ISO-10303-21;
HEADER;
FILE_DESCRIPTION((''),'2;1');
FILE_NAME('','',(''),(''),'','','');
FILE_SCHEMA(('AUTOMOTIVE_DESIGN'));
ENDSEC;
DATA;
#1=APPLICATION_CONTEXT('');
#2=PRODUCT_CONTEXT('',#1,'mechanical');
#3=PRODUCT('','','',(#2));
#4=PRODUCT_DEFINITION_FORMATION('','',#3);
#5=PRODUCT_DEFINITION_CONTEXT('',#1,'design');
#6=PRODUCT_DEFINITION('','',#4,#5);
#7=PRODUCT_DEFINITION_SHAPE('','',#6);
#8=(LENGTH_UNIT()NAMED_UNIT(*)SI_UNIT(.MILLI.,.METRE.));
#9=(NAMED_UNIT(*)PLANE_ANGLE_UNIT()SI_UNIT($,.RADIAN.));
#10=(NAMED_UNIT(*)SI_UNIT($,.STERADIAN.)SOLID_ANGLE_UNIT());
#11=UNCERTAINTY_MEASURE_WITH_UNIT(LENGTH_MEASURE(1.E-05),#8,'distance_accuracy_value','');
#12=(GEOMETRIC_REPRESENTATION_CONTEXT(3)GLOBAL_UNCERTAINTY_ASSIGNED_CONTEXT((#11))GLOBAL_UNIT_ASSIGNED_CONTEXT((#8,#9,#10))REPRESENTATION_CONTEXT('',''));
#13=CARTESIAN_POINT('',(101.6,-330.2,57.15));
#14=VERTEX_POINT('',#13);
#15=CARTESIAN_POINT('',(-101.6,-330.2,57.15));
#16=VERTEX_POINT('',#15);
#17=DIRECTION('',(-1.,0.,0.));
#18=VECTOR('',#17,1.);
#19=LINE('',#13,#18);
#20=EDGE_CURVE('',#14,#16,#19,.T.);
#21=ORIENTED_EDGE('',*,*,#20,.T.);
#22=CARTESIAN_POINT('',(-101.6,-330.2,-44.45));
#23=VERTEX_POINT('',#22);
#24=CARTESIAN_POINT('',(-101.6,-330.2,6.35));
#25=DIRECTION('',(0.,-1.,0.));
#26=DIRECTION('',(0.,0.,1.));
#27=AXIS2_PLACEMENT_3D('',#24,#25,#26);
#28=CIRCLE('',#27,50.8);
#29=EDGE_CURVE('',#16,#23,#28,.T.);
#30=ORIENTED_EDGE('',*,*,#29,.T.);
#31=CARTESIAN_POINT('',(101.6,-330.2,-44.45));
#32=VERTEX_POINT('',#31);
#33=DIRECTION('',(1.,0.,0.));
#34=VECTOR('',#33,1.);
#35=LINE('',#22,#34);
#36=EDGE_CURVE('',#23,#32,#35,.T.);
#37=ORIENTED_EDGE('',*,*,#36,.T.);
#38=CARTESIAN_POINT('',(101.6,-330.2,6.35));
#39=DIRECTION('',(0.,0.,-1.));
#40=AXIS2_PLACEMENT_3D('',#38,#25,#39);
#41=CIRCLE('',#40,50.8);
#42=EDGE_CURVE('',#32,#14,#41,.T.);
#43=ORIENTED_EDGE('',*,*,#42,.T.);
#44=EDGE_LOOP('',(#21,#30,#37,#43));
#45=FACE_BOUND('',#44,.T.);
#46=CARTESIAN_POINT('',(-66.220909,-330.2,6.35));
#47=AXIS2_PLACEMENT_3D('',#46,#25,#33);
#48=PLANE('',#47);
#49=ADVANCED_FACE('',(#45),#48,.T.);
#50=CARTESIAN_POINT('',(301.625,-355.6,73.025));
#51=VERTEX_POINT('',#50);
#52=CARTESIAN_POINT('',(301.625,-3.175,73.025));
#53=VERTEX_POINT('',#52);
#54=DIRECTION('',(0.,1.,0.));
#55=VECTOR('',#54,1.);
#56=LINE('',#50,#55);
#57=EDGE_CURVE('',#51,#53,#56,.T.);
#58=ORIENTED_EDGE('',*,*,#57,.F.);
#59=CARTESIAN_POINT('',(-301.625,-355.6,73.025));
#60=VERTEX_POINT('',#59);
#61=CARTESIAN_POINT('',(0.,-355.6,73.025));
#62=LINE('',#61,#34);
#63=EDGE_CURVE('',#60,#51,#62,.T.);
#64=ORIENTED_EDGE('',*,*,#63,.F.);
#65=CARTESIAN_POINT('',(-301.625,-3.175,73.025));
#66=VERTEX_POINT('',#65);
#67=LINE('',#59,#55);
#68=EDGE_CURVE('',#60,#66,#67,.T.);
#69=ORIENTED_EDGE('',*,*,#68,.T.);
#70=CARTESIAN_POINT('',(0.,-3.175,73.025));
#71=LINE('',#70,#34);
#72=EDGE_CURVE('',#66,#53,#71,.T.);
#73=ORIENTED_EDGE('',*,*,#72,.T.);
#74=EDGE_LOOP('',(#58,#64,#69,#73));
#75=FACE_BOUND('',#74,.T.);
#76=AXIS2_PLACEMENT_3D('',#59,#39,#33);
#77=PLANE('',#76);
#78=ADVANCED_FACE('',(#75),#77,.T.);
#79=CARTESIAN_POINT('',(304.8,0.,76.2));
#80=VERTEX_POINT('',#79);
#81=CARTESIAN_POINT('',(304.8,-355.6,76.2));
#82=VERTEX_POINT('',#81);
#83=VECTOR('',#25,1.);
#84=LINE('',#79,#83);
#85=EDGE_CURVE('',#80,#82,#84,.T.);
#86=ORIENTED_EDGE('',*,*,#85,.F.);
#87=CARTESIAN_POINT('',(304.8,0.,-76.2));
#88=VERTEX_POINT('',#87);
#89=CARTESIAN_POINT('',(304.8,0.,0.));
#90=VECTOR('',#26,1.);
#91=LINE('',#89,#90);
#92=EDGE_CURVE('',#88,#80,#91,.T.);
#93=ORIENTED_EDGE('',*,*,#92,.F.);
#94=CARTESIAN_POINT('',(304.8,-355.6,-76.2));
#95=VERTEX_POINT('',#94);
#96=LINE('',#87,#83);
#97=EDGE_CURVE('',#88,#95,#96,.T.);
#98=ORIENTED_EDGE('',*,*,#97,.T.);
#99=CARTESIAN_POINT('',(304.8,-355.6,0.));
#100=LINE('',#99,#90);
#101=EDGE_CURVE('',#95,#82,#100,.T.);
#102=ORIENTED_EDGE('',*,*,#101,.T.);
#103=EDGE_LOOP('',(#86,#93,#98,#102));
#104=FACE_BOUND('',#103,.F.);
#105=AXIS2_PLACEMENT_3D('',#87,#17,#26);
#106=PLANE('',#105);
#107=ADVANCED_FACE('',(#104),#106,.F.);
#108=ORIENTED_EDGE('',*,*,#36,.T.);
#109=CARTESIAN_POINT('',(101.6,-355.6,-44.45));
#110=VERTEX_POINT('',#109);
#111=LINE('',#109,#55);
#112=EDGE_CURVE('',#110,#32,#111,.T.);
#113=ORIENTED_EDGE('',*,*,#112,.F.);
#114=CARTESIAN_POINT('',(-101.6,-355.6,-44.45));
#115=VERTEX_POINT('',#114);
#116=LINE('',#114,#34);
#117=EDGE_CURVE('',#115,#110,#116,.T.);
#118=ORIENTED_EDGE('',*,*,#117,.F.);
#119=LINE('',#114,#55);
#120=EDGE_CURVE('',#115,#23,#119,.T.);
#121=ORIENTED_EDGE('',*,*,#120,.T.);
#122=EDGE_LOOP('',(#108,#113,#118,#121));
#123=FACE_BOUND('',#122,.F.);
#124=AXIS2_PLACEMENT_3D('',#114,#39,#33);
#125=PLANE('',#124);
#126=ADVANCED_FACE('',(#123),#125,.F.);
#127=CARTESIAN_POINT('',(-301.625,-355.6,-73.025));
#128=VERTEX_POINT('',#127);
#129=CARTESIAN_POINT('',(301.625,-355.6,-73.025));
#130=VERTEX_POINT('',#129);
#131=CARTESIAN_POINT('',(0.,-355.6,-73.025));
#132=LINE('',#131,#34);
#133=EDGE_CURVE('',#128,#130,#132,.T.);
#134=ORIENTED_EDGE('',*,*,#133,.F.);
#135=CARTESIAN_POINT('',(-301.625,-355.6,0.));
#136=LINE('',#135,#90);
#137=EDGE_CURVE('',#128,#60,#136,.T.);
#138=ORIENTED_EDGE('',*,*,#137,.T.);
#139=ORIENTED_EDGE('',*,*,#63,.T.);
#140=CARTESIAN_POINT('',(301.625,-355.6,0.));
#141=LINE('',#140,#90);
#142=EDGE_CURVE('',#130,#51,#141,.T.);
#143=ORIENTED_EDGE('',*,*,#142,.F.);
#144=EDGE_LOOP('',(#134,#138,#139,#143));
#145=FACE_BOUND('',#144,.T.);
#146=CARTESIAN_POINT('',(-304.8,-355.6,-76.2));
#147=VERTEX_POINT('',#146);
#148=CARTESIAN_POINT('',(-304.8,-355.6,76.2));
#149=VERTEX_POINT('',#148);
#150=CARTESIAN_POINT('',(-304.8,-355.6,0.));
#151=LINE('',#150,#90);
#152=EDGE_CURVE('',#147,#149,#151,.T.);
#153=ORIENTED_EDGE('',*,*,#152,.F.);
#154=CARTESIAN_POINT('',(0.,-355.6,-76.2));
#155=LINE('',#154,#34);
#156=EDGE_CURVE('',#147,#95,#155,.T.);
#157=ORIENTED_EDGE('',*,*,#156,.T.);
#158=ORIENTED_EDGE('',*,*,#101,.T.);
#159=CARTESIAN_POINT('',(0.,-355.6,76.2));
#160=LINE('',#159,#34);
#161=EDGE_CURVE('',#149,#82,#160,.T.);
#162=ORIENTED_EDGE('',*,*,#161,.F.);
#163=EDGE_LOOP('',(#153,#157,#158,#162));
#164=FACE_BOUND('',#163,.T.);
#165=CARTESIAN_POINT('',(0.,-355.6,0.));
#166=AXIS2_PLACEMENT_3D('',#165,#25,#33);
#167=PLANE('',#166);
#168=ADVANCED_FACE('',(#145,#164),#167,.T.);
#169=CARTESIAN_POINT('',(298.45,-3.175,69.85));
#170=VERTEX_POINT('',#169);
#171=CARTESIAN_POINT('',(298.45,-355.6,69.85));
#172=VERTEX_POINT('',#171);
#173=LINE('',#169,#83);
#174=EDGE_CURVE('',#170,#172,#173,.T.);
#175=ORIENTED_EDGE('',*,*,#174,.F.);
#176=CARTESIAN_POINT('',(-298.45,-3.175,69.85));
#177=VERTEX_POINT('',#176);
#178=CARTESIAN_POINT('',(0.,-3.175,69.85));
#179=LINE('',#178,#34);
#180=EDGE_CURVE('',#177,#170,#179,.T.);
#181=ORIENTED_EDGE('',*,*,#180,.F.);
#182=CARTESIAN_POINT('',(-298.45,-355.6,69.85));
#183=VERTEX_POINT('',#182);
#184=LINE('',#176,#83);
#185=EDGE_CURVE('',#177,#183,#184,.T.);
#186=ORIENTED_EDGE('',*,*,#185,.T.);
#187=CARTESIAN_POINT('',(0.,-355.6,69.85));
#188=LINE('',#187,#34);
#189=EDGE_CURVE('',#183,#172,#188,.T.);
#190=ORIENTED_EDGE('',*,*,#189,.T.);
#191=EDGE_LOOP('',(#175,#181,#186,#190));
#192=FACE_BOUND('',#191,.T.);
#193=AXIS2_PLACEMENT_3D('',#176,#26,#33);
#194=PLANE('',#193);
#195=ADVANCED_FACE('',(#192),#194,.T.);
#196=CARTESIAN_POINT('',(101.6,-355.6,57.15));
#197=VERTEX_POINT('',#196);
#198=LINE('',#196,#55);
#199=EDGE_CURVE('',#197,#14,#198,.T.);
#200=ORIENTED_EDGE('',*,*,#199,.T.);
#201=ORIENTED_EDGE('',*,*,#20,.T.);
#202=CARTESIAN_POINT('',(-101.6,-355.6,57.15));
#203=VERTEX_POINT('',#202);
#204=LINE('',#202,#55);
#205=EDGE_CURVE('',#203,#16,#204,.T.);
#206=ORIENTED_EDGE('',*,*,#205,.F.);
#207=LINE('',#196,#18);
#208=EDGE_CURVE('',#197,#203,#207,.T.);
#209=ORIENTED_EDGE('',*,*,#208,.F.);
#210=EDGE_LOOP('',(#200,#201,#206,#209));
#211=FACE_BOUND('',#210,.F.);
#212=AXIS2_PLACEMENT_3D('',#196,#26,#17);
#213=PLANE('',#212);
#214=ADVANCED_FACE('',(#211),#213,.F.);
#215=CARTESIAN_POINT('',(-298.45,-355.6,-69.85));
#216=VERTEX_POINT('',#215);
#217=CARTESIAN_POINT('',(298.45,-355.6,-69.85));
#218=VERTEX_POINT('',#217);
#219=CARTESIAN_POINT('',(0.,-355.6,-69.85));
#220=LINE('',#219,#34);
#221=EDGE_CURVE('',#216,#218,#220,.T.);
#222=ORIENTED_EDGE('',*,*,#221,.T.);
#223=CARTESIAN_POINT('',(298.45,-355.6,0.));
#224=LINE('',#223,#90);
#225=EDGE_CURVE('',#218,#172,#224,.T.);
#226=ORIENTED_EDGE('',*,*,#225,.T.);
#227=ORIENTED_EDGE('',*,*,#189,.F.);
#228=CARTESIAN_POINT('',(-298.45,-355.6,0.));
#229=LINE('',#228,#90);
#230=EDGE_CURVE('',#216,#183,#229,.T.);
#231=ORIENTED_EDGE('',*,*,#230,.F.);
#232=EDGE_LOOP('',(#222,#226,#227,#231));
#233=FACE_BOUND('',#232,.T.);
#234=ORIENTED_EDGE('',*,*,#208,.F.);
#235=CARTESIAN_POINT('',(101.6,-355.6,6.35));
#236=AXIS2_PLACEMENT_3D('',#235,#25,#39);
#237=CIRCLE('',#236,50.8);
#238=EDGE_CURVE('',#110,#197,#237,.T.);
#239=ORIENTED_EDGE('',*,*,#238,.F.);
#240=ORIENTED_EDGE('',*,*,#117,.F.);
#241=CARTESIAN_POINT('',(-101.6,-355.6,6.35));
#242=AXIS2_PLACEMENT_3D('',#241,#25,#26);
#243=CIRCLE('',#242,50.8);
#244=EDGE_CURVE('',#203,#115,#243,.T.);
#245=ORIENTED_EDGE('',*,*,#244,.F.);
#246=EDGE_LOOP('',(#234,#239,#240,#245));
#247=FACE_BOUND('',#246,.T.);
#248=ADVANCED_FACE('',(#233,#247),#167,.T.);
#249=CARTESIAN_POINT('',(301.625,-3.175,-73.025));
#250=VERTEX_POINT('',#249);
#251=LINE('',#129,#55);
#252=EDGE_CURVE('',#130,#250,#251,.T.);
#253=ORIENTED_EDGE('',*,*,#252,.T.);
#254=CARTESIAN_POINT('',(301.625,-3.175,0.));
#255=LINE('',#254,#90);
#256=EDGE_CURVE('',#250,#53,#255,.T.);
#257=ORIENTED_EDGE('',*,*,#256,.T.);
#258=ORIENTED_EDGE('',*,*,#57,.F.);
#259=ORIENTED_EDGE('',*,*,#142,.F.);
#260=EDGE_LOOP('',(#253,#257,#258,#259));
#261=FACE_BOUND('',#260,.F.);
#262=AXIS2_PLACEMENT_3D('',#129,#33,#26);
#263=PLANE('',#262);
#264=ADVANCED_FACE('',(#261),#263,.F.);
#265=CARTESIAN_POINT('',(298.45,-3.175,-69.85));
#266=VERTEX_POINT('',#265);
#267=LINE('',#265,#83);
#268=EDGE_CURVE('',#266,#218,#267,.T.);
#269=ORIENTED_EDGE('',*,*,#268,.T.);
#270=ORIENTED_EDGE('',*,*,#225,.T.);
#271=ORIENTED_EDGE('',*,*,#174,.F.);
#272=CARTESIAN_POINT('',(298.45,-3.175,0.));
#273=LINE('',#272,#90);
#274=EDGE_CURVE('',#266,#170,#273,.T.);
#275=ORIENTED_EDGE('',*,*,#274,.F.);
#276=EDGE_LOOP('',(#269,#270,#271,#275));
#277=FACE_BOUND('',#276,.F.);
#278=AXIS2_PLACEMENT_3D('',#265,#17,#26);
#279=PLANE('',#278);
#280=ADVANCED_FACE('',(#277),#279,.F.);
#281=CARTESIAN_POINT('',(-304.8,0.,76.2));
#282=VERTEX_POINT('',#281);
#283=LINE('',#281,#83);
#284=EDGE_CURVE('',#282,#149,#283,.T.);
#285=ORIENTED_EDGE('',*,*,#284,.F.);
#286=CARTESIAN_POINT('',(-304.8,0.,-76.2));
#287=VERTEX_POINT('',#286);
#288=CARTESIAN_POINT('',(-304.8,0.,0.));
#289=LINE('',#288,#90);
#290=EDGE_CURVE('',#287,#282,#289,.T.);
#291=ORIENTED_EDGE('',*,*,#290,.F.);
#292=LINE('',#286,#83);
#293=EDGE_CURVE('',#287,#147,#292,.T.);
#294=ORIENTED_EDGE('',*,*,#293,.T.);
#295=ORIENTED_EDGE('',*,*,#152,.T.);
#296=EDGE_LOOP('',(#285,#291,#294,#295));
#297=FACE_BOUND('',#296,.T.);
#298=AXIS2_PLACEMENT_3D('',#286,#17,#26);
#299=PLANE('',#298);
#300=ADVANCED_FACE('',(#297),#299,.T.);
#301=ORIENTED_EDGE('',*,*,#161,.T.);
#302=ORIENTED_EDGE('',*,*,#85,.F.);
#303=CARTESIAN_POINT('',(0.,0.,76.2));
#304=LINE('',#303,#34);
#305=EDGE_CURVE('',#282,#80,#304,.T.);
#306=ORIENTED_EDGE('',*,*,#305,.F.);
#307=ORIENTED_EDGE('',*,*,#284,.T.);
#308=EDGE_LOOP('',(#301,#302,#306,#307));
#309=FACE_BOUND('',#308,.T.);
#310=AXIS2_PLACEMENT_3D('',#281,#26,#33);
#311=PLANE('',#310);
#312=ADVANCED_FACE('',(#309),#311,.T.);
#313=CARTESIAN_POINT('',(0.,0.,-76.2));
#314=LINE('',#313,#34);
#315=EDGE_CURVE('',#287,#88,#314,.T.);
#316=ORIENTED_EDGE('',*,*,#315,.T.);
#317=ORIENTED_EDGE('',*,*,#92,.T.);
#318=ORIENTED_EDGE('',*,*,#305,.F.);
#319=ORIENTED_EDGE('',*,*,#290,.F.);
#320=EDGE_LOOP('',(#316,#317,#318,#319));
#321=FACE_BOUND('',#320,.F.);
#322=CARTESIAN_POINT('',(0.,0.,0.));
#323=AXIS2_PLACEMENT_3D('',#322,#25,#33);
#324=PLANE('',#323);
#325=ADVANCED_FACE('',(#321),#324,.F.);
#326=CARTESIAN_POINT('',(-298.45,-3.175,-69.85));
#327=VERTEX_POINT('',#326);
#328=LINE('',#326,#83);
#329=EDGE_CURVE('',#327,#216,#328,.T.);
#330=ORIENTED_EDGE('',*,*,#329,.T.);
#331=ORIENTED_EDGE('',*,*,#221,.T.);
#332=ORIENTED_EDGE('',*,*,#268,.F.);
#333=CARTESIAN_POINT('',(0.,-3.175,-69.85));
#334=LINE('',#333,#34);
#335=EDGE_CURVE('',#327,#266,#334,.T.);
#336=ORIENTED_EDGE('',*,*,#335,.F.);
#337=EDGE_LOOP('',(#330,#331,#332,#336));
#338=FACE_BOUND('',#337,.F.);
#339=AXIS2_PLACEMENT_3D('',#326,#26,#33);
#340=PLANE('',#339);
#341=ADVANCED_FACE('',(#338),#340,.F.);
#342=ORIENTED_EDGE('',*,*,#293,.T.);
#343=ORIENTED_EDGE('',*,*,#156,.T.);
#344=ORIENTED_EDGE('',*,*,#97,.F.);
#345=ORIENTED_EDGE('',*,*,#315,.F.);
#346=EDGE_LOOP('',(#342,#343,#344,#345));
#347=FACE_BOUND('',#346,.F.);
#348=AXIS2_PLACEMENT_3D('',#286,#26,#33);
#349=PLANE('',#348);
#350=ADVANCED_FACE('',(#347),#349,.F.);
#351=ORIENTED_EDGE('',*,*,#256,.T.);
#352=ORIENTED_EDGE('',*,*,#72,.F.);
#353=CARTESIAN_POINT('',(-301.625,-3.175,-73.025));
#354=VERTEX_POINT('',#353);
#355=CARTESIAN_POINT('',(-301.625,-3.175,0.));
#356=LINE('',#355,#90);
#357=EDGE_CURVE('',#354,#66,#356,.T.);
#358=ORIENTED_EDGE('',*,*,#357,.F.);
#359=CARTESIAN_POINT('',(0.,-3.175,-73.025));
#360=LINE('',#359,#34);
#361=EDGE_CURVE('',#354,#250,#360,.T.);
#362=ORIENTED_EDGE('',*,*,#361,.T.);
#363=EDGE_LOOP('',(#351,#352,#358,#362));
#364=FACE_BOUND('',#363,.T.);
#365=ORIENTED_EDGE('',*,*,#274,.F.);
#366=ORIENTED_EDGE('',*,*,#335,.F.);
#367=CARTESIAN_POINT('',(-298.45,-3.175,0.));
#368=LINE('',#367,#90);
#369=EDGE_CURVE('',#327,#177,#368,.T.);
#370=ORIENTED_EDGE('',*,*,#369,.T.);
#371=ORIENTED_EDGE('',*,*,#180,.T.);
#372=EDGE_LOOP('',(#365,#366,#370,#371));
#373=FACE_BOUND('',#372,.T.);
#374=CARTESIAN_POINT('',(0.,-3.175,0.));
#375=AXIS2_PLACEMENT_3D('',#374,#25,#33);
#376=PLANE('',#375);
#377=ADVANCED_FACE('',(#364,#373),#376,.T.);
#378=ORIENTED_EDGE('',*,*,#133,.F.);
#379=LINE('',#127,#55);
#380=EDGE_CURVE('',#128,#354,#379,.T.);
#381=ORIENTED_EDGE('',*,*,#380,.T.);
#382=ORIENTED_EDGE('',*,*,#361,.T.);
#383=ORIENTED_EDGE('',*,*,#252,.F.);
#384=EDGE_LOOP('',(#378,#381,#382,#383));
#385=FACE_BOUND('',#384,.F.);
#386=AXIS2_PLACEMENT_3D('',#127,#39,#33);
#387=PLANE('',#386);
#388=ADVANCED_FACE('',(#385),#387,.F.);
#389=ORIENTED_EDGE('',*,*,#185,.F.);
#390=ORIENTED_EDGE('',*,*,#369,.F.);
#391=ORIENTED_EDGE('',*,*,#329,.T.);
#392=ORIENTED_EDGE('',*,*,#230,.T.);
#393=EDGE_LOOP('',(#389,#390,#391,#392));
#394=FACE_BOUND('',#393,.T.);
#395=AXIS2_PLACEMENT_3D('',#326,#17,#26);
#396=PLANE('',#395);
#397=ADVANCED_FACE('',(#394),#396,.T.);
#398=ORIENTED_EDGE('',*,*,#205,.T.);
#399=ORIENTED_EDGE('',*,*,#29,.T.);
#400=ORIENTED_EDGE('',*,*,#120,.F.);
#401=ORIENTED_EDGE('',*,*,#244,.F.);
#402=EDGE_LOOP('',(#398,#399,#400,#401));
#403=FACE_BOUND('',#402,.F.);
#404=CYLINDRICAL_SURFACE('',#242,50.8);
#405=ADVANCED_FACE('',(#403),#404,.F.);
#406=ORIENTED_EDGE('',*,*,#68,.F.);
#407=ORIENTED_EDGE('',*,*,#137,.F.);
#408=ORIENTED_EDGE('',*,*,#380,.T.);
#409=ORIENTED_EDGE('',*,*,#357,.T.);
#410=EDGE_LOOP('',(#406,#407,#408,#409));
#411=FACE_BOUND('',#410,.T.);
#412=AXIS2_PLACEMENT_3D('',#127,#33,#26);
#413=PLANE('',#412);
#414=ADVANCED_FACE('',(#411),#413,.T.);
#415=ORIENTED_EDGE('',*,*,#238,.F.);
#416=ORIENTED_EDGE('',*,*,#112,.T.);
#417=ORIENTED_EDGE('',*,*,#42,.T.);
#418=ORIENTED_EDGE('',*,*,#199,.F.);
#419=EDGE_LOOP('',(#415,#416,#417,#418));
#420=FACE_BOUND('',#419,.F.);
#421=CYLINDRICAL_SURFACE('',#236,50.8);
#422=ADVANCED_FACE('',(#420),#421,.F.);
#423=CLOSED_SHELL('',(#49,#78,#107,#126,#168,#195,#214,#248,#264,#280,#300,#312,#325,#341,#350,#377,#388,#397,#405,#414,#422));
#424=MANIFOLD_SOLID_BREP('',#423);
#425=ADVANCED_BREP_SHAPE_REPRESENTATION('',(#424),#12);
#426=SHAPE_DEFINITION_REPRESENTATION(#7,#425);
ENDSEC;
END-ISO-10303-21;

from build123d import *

# Parameters (mm, degrees)
F0_W     = 609.6
F0_H     = 152.4
F1_DEPTH = 355.6
F2_W     = 603.25
F2_H     = 146.05
F3_DEPTH = 352.425
F4_W     = 596.9
F4_H     = 139.7
F5_DEPTH = 352.425
F7_DEPTH = 25.4


with BuildPart() as f1:
    # F0 (on Front) → F1 (new body)
    with BuildSketch(Plane.XZ):
        Rectangle(F0_W, F0_H)
    extrude(amount=F1_DEPTH)

    # F2 (on face) → F3 (cut)
    with BuildSketch(Plane.XZ.offset(355.6)):
        Rectangle(F2_W, F2_H)
    extrude(amount=-F3_DEPTH, mode=Mode.SUBTRACT)

    # F4 (on face) → F5 (join, through all)
    with BuildSketch(Plane.XZ.offset(3.175)):
        Rectangle(F4_W, F4_H)
    extrude(amount=F5_DEPTH)

    # F6 (on face) → F7 (cut)
    with BuildSketch(Plane.XZ.offset(355.6)):
        with BuildLine():
            ThreePointArc((-101.6, 57.15), (-152.4, 6.35), (-101.6, -44.45))
            Line((-101.6, -44.45), (0, -44.45))
            Line((0, -44.45), (0, 57.15))
            Line((0, 57.15), (-101.6, 57.15))
        make_face()
        with BuildLine():
            Line((0, 57.15), (0, -44.45))
            Line((0, -44.45), (101.6, -44.45))
            ThreePointArc((101.6, -44.45), (152.4, 6.35), (101.6, 57.15))
            Line((101.6, 57.15), (0, 57.15))
        make_face()
    extrude(amount=-F7_DEPTH, mode=Mode.SUBTRACT)


solid = f1.part
